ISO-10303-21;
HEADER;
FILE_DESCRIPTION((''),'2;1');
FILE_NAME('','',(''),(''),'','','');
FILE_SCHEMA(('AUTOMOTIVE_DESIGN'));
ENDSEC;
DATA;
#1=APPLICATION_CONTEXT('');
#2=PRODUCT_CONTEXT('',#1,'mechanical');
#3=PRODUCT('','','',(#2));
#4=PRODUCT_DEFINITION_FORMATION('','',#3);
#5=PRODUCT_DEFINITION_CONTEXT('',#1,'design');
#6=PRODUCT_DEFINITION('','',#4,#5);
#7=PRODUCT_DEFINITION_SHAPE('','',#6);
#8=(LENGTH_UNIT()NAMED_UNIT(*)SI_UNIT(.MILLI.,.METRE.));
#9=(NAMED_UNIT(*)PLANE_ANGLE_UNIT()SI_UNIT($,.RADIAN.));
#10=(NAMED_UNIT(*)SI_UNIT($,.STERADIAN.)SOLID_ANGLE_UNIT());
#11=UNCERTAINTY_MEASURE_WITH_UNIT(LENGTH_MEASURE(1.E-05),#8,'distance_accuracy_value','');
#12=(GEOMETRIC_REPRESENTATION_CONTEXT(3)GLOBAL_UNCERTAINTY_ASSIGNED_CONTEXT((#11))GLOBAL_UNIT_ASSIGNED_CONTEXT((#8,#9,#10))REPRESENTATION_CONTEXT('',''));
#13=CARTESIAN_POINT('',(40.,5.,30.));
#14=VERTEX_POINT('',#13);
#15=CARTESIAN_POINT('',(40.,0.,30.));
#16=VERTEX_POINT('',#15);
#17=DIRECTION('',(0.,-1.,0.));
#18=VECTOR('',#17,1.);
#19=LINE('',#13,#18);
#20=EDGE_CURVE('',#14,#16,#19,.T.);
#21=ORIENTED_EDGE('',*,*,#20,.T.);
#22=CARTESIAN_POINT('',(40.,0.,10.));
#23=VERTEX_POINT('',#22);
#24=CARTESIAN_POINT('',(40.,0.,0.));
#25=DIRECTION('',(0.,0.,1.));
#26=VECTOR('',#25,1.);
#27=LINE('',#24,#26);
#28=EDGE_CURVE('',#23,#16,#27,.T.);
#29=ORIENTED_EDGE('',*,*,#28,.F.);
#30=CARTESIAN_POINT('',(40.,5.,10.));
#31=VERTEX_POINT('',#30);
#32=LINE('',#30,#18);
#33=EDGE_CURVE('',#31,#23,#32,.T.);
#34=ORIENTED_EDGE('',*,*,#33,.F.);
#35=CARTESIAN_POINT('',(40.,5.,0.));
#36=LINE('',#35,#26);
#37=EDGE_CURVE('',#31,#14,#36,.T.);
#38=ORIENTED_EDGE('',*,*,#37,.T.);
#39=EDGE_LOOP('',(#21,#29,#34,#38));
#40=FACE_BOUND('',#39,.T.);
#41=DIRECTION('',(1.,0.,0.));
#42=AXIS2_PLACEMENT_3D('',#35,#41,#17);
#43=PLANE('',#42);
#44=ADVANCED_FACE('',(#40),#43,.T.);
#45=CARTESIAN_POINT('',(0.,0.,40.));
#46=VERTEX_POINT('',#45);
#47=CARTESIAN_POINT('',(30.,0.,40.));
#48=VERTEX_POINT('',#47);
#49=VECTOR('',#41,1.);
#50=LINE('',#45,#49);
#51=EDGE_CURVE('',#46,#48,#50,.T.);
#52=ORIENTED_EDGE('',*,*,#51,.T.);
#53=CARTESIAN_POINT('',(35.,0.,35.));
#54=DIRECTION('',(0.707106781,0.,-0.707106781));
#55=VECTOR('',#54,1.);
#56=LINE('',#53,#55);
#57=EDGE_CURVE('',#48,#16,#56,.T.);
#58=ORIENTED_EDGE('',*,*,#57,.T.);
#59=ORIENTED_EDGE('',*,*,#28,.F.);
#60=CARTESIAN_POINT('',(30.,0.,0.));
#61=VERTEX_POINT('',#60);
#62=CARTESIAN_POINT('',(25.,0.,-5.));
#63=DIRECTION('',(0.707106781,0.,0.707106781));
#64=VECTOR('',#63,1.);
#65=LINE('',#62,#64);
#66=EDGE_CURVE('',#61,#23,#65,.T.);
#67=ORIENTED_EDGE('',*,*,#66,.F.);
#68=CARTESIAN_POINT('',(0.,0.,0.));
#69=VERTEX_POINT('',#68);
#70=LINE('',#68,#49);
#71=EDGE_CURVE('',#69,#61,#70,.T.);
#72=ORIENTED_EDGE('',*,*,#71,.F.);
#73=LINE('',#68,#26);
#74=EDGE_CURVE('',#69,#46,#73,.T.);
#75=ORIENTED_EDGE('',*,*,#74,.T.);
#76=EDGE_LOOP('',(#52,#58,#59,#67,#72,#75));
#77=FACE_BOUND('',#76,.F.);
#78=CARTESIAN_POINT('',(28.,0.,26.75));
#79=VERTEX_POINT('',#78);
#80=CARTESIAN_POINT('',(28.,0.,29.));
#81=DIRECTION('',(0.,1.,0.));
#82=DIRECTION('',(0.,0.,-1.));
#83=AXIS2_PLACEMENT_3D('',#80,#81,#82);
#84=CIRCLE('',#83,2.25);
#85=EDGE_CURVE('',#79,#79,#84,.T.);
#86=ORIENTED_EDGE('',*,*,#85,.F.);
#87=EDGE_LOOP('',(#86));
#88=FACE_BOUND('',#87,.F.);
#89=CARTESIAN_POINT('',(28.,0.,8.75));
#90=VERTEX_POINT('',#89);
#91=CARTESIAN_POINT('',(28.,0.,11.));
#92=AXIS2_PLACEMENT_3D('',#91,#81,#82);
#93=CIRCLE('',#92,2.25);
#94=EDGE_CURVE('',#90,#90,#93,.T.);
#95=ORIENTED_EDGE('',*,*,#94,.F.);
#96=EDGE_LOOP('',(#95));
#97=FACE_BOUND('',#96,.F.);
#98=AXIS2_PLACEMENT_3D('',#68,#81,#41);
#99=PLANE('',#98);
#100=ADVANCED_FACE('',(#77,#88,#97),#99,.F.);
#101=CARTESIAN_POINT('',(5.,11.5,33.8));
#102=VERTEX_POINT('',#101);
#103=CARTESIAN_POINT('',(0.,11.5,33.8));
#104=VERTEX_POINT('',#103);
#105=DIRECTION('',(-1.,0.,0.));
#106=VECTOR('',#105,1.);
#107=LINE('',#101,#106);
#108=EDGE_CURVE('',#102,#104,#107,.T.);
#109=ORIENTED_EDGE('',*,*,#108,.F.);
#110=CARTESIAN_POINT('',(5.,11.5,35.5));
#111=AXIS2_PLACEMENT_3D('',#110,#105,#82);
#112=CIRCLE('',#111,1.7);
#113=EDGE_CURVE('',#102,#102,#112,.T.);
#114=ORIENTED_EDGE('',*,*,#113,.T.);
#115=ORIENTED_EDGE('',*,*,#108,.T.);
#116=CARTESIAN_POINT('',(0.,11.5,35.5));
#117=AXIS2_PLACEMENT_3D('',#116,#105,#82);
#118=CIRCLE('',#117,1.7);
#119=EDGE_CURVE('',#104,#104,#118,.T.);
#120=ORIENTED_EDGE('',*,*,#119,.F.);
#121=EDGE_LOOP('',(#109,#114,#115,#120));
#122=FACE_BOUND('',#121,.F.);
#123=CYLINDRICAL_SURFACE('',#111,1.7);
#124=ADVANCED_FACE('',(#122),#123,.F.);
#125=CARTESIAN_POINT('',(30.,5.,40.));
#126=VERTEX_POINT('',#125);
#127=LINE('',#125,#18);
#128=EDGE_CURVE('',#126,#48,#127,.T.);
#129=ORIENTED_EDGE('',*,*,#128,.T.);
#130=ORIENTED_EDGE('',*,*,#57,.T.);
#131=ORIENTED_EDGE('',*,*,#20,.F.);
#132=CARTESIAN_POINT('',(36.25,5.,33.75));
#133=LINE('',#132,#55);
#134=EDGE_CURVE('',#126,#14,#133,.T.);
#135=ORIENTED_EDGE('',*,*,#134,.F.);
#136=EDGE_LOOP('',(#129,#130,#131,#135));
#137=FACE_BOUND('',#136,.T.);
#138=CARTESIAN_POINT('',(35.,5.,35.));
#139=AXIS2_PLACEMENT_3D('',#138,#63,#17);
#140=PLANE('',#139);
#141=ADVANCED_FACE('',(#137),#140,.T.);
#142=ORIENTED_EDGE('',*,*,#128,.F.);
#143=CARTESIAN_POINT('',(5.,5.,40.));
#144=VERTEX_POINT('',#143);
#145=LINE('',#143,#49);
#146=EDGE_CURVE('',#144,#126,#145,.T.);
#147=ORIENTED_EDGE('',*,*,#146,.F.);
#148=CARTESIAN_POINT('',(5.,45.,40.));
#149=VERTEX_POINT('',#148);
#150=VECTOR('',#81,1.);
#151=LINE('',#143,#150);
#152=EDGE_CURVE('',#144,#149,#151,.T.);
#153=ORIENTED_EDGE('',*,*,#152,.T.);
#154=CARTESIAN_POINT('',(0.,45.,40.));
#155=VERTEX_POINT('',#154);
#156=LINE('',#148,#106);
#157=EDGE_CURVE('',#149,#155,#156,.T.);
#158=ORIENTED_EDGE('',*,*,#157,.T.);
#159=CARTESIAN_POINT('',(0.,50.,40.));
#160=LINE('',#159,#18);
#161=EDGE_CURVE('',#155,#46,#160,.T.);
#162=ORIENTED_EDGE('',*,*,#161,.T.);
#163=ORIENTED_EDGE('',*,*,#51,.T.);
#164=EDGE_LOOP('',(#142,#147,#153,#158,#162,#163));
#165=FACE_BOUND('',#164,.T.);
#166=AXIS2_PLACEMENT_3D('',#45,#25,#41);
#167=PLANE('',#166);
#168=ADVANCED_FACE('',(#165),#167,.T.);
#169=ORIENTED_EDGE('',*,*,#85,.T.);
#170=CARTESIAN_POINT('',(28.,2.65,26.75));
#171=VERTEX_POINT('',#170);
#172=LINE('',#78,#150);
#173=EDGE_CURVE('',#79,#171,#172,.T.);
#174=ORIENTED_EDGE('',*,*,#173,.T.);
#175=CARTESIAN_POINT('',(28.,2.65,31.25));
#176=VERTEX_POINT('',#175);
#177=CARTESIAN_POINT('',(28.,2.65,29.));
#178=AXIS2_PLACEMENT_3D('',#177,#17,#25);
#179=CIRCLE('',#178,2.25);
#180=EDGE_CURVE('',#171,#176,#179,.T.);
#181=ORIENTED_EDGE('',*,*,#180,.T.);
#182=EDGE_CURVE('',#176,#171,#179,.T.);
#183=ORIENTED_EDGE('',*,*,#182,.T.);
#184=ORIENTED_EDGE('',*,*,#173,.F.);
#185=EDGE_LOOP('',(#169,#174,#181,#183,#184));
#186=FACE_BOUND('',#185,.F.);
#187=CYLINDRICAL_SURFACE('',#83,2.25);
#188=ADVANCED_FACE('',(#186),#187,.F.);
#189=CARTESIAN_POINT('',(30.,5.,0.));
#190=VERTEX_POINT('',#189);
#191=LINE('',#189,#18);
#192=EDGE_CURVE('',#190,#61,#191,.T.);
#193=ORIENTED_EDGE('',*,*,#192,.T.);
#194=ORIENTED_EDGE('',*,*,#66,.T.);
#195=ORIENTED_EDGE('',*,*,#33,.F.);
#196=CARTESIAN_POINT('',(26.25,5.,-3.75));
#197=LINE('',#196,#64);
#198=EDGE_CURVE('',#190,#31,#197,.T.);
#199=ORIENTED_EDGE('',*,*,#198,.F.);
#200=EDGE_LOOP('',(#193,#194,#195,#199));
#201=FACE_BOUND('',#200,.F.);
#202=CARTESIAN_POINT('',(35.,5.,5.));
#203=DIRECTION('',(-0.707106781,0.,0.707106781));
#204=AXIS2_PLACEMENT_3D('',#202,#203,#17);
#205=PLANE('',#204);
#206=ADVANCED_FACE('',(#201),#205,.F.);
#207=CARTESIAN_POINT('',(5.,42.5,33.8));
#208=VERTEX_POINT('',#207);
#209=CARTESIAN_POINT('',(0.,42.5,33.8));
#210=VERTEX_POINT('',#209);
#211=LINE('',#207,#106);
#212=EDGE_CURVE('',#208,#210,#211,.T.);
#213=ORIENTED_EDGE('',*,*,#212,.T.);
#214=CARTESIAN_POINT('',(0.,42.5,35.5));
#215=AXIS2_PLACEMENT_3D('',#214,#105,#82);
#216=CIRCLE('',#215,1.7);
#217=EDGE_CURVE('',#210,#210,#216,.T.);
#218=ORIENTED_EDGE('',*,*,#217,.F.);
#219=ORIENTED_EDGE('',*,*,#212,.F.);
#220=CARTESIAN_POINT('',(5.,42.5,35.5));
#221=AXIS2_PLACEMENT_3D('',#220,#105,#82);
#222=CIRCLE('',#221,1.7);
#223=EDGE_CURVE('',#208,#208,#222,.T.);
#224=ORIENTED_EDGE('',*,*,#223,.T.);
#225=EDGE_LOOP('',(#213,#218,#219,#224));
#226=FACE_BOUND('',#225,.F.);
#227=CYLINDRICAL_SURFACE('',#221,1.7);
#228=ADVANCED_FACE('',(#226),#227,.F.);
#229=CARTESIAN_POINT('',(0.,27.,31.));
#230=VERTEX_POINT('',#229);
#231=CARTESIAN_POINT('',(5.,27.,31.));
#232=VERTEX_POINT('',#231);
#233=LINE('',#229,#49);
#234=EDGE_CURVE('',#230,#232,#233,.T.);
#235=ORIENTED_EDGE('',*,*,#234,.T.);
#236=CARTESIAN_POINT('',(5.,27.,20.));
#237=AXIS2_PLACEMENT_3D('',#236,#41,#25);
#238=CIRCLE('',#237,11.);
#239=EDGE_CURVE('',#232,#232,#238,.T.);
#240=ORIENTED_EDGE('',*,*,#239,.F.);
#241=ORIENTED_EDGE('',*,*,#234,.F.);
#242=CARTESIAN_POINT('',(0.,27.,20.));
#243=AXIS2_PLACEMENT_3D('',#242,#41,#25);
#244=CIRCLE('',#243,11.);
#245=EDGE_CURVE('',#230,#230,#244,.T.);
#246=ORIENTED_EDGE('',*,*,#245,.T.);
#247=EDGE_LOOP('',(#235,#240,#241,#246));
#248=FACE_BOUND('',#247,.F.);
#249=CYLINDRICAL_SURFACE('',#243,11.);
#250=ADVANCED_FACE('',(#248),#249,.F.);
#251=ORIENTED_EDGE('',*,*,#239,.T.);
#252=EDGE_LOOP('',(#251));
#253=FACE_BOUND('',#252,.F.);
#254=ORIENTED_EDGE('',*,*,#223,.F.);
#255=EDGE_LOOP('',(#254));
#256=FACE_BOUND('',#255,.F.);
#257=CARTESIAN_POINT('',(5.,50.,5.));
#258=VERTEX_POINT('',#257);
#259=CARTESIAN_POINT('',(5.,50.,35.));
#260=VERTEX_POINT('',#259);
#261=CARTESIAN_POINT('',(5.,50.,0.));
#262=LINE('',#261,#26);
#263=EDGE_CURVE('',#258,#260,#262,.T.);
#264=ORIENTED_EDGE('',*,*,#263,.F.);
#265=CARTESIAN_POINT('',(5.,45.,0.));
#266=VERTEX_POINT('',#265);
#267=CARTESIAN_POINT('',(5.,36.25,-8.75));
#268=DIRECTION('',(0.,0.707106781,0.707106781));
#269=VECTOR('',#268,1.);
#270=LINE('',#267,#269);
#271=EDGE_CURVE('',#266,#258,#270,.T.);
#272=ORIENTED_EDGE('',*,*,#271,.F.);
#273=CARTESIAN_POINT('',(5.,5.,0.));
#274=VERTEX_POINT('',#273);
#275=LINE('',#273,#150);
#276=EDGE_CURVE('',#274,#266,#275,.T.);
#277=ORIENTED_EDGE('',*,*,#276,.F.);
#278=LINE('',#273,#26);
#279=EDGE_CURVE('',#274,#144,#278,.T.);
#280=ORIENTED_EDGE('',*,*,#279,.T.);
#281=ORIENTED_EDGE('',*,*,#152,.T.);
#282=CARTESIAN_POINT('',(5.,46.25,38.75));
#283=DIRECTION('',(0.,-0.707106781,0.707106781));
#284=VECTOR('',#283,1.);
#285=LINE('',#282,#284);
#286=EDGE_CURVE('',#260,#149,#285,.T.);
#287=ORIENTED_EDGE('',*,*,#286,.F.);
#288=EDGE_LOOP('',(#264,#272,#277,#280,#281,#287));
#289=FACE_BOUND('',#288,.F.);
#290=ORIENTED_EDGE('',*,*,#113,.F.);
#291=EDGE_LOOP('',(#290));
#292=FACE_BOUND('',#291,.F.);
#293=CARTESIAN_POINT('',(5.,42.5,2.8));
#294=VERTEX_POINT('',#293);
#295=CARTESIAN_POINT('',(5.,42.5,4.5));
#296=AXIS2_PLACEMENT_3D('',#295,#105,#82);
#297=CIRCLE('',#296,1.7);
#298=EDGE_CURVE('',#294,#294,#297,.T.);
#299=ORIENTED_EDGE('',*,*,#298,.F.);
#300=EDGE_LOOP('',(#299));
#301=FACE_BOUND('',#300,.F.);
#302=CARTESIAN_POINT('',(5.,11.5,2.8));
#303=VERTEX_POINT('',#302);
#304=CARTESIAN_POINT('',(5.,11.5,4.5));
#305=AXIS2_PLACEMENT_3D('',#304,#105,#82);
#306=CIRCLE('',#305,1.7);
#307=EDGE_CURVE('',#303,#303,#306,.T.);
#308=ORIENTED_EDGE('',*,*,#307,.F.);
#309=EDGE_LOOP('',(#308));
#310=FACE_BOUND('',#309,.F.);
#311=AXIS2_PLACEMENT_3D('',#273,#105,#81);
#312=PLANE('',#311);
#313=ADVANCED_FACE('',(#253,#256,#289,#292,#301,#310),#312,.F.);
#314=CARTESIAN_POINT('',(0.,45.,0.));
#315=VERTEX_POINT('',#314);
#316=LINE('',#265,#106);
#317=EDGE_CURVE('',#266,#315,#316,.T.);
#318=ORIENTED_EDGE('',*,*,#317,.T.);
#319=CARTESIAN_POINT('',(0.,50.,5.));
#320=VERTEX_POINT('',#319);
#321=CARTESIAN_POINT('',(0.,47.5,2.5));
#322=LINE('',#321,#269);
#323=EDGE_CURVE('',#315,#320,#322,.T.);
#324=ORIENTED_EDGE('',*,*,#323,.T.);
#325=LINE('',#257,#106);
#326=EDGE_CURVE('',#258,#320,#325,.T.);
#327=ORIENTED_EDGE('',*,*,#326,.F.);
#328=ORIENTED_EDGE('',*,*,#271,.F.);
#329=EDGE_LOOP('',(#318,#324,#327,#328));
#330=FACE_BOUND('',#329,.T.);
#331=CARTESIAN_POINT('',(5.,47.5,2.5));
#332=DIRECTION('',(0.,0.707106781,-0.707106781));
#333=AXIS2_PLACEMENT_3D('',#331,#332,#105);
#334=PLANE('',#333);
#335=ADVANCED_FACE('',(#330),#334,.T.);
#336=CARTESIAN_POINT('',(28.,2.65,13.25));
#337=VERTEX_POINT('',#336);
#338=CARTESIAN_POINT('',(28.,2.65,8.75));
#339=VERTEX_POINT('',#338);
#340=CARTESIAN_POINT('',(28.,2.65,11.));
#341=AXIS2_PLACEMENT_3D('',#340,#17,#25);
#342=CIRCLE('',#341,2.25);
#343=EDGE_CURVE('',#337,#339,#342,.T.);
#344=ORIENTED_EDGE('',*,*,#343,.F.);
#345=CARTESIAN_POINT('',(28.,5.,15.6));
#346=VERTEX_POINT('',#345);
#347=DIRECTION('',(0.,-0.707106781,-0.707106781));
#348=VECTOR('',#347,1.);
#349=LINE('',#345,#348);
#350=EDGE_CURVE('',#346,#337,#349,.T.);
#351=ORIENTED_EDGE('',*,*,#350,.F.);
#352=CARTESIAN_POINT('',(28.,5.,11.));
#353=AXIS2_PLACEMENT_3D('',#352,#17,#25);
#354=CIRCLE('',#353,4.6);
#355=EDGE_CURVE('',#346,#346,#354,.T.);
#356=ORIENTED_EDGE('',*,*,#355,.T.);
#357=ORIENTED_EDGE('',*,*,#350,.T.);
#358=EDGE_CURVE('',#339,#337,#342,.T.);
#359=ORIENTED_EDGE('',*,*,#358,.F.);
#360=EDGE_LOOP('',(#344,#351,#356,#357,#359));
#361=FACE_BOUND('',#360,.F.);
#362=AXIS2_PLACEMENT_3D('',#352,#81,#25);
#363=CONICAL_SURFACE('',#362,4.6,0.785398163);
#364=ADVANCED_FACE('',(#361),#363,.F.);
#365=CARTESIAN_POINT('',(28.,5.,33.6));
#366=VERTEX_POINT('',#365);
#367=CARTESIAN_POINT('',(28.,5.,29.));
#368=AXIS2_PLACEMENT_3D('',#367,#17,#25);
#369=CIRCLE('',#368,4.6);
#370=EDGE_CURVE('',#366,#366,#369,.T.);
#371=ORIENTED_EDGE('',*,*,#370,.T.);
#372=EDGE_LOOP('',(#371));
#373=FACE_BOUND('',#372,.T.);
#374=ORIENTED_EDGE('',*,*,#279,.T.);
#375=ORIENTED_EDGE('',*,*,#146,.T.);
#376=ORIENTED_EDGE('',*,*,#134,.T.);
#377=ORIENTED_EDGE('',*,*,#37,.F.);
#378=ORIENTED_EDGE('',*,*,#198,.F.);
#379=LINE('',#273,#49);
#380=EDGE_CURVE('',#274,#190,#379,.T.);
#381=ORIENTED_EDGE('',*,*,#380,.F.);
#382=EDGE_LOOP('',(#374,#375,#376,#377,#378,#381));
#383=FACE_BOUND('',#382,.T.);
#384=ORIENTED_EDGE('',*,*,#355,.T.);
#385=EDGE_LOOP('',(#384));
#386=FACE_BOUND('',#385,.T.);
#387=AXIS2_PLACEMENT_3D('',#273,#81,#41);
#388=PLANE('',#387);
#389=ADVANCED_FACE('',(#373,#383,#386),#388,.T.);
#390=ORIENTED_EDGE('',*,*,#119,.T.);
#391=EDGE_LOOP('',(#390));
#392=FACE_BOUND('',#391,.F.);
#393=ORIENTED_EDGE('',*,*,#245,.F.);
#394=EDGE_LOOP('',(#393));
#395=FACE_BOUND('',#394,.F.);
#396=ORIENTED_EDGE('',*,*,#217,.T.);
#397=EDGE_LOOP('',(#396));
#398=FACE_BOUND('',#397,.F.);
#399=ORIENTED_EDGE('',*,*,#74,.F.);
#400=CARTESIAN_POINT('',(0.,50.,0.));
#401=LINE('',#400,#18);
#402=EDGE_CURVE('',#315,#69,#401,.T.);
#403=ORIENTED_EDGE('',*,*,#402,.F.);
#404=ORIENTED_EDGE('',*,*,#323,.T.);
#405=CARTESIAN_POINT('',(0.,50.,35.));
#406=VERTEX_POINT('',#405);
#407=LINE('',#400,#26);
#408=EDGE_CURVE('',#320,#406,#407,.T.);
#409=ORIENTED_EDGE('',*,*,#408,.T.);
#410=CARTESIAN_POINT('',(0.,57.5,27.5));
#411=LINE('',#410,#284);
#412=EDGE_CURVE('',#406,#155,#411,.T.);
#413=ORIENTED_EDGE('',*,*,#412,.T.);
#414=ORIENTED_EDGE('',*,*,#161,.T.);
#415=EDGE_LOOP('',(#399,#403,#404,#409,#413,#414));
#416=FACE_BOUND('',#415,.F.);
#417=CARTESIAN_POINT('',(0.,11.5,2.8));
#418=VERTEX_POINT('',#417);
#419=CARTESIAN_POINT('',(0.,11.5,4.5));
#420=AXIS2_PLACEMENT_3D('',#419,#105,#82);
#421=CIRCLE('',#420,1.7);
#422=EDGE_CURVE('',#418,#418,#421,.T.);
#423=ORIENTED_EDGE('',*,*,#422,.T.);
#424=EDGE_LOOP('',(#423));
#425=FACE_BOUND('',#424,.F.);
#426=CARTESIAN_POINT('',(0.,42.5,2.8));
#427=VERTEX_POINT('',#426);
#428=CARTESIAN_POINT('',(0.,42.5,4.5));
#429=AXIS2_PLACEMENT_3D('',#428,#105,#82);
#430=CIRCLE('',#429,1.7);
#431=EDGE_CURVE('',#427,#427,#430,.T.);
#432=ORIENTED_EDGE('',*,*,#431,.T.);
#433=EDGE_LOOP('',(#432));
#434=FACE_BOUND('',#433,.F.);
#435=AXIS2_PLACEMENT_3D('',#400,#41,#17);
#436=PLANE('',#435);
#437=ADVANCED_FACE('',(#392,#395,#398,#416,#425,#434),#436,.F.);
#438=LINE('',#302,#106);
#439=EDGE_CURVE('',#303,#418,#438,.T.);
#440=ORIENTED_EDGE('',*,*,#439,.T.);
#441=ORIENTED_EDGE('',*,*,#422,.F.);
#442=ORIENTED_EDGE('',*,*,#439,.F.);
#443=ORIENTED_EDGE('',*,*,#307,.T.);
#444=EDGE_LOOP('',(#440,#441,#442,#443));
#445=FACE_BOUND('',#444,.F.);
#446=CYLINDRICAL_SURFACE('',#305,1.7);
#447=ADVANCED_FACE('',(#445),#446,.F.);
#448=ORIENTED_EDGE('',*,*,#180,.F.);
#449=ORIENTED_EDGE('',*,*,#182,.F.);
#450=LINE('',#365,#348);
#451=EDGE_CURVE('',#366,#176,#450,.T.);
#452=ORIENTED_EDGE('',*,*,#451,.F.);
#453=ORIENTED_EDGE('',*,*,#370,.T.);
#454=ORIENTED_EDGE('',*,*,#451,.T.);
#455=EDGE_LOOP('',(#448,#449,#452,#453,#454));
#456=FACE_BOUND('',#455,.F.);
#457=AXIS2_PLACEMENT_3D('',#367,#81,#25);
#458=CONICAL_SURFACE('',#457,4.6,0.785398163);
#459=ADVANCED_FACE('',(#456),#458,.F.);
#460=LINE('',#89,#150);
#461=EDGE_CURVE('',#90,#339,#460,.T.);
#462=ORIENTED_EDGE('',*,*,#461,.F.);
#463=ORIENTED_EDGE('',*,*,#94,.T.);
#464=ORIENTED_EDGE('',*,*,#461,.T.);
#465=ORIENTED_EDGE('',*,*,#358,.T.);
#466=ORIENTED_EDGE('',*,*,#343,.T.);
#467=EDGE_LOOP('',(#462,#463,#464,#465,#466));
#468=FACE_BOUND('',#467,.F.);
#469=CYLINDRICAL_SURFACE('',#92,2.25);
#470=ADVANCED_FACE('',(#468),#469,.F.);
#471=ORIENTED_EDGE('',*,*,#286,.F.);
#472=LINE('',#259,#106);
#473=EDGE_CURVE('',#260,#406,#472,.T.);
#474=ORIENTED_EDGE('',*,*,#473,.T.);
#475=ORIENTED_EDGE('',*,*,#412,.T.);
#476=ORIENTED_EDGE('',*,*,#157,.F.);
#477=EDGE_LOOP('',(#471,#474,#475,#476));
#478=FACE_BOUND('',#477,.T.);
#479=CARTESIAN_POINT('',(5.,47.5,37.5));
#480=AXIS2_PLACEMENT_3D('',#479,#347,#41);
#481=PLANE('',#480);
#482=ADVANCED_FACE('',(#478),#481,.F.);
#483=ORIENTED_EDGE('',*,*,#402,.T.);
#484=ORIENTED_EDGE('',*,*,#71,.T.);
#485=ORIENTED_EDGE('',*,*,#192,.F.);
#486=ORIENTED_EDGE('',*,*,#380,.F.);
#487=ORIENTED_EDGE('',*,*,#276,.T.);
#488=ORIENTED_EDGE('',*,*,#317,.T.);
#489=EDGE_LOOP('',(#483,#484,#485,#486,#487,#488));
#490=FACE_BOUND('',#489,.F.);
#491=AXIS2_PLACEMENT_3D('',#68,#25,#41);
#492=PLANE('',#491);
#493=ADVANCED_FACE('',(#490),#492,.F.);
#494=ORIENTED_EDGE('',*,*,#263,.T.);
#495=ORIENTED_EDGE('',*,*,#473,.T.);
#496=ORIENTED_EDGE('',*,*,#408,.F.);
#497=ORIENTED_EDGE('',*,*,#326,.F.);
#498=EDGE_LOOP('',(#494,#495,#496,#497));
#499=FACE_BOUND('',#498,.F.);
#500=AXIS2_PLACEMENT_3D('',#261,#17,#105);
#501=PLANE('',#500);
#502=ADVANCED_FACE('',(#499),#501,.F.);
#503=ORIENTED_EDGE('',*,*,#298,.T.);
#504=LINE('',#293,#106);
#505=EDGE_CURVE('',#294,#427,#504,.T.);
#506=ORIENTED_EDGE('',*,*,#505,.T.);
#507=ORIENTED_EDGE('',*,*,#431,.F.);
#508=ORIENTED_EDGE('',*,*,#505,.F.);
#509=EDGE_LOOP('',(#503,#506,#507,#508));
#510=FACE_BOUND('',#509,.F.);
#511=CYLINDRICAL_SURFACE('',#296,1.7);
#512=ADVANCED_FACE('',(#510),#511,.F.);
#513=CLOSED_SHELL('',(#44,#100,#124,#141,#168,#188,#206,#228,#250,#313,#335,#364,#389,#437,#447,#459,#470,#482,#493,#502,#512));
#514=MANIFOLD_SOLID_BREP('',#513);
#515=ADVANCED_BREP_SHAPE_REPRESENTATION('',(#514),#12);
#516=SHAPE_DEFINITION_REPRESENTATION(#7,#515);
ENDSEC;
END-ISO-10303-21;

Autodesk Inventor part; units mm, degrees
ref_plane "YZ Plane" through (0, 0, 0) normal (1, 0, 0) x (0, 1, 0)
ref_plane "XZ Plane" through (0, 0, 0) normal (0, 1, 0) x (-1, 0, 0)
ref_plane "XY Plane" through (0, 0, 0) normal (0, 0, 1) x (1, 0, 0)
sketch "Skizze1" plane through (0, 0, 0) normal (0, 0, 1) x (1, 0, 0)
  line L0 (0, 0) -> (40, 0)
  line L1 (5, 5) -> (5, 50)
  line L2 (5, 50) -> (0, 50)
  line L3 (0, 50) -> (0, 0)
  line L4 (5, 5) -> (40, 5)
  line L5 (40, 5) -> (40, 0)
  line L6 (-8, 0) -> (48, 0) projected
  line L7 (0, -10) -> (0, 60) projected
  dimension "d0" = 50
  dimension "d3" = 40
  dimension "d4" = 5
extrude "Extrusion1" add sketch "Skizze1" along normal blind 40
sketch "Skizze2" plane through (0, 0, 0) normal (-1, 0, 0) x (0, 0, 1)
  line L0 (0, 50) -> (40, 50) projected
  line L1 (0, 0) -> (40, 0) projected
  line L2 (20, 50) -> (20, 0)
  point P0 (20, 27)
  dimension "d7" = 27
hole "Bohrung1" at (0, 27, 20) direction (1, 0, 0) diameter 22 end through all
sketch "Skizze4" plane through (0, 0, 0) normal (0, -1, 0) x (1, 0, 0)
  line L0 (40, 40) -> (0, 40) projected
  line L1 (0, 0) -> (0, 40) projected
  line L2 (0, 0) -> (40, 0) projected
  line L3 (40, 0) -> (40, 40) projected
  line L4 (28, 40) -> (28, 0)
  line L5 (0, 20) -> (40, 20)
  point P0 (28, 29)
  point P1 (28, 11)
  dimension "d24" = 12
  dimension "d25" = 18
hole "Bohrung3" at (28, 0, 29) at (28, 0, 11) direction (0, 1, 0) diameter 4.5 end through all
hole "Bohrung4" at (28, 5, 29) direction (0, -1, 0) diameter 4.5 end through all countersink diameter 9.2 countersink angle 90
hole "Bohrung5" at (28, 5, 11) direction (0, -1, 0) diameter 4.5 end through all countersink diameter 9.2 countersink angle 90
chamfer "Fase1" distance 10 angle 45 2 edges at (40, 2.5, 0) (40, 2.5, 40)
sketch "Skizze6" plane through (5, 5, 0) normal (1, 0, 0) x (0, 0, -1)
  circle A0 centre (-20, 22) radius 11 projected
  line L0 (0, 45) -> (-40, 45) projected
  line L1 (-20, 22) -> (-5.2877, 22)
  line L2 (0, -15.2) -> (0, 56.2) projected
  line L3 (8, -5) -> (-48, -5) projected
  line L4 (-20, 22) -> (-20, 10.2851)
  line L5 (-35.5, 37.5) -> (-4.5, 37.5)
  line L6 (-4.5, 37.5) -> (-4.5, 6.5)
  line L7 (-4.5, 6.5) -> (-35.5, 6.5)
  line L8 (-35.5, 6.5) -> (-35.5, 37.5)
  point P0 (0, -5)
  dimension "d54" = 31
hole "Bohrung6" at (5, 42.5, 35.5) at (5, 42.5, 4.5) at (5, 11.5, 4.5) at (5, 11.5, 35.5) direction (-1, 0, 0) diameter 3.4 end through all
chamfer "Fase2" distance 5 angle 45 2 edges at (2.5, 50, 40) (2.5, 50, 0)
properties part number "13_0204_058"
